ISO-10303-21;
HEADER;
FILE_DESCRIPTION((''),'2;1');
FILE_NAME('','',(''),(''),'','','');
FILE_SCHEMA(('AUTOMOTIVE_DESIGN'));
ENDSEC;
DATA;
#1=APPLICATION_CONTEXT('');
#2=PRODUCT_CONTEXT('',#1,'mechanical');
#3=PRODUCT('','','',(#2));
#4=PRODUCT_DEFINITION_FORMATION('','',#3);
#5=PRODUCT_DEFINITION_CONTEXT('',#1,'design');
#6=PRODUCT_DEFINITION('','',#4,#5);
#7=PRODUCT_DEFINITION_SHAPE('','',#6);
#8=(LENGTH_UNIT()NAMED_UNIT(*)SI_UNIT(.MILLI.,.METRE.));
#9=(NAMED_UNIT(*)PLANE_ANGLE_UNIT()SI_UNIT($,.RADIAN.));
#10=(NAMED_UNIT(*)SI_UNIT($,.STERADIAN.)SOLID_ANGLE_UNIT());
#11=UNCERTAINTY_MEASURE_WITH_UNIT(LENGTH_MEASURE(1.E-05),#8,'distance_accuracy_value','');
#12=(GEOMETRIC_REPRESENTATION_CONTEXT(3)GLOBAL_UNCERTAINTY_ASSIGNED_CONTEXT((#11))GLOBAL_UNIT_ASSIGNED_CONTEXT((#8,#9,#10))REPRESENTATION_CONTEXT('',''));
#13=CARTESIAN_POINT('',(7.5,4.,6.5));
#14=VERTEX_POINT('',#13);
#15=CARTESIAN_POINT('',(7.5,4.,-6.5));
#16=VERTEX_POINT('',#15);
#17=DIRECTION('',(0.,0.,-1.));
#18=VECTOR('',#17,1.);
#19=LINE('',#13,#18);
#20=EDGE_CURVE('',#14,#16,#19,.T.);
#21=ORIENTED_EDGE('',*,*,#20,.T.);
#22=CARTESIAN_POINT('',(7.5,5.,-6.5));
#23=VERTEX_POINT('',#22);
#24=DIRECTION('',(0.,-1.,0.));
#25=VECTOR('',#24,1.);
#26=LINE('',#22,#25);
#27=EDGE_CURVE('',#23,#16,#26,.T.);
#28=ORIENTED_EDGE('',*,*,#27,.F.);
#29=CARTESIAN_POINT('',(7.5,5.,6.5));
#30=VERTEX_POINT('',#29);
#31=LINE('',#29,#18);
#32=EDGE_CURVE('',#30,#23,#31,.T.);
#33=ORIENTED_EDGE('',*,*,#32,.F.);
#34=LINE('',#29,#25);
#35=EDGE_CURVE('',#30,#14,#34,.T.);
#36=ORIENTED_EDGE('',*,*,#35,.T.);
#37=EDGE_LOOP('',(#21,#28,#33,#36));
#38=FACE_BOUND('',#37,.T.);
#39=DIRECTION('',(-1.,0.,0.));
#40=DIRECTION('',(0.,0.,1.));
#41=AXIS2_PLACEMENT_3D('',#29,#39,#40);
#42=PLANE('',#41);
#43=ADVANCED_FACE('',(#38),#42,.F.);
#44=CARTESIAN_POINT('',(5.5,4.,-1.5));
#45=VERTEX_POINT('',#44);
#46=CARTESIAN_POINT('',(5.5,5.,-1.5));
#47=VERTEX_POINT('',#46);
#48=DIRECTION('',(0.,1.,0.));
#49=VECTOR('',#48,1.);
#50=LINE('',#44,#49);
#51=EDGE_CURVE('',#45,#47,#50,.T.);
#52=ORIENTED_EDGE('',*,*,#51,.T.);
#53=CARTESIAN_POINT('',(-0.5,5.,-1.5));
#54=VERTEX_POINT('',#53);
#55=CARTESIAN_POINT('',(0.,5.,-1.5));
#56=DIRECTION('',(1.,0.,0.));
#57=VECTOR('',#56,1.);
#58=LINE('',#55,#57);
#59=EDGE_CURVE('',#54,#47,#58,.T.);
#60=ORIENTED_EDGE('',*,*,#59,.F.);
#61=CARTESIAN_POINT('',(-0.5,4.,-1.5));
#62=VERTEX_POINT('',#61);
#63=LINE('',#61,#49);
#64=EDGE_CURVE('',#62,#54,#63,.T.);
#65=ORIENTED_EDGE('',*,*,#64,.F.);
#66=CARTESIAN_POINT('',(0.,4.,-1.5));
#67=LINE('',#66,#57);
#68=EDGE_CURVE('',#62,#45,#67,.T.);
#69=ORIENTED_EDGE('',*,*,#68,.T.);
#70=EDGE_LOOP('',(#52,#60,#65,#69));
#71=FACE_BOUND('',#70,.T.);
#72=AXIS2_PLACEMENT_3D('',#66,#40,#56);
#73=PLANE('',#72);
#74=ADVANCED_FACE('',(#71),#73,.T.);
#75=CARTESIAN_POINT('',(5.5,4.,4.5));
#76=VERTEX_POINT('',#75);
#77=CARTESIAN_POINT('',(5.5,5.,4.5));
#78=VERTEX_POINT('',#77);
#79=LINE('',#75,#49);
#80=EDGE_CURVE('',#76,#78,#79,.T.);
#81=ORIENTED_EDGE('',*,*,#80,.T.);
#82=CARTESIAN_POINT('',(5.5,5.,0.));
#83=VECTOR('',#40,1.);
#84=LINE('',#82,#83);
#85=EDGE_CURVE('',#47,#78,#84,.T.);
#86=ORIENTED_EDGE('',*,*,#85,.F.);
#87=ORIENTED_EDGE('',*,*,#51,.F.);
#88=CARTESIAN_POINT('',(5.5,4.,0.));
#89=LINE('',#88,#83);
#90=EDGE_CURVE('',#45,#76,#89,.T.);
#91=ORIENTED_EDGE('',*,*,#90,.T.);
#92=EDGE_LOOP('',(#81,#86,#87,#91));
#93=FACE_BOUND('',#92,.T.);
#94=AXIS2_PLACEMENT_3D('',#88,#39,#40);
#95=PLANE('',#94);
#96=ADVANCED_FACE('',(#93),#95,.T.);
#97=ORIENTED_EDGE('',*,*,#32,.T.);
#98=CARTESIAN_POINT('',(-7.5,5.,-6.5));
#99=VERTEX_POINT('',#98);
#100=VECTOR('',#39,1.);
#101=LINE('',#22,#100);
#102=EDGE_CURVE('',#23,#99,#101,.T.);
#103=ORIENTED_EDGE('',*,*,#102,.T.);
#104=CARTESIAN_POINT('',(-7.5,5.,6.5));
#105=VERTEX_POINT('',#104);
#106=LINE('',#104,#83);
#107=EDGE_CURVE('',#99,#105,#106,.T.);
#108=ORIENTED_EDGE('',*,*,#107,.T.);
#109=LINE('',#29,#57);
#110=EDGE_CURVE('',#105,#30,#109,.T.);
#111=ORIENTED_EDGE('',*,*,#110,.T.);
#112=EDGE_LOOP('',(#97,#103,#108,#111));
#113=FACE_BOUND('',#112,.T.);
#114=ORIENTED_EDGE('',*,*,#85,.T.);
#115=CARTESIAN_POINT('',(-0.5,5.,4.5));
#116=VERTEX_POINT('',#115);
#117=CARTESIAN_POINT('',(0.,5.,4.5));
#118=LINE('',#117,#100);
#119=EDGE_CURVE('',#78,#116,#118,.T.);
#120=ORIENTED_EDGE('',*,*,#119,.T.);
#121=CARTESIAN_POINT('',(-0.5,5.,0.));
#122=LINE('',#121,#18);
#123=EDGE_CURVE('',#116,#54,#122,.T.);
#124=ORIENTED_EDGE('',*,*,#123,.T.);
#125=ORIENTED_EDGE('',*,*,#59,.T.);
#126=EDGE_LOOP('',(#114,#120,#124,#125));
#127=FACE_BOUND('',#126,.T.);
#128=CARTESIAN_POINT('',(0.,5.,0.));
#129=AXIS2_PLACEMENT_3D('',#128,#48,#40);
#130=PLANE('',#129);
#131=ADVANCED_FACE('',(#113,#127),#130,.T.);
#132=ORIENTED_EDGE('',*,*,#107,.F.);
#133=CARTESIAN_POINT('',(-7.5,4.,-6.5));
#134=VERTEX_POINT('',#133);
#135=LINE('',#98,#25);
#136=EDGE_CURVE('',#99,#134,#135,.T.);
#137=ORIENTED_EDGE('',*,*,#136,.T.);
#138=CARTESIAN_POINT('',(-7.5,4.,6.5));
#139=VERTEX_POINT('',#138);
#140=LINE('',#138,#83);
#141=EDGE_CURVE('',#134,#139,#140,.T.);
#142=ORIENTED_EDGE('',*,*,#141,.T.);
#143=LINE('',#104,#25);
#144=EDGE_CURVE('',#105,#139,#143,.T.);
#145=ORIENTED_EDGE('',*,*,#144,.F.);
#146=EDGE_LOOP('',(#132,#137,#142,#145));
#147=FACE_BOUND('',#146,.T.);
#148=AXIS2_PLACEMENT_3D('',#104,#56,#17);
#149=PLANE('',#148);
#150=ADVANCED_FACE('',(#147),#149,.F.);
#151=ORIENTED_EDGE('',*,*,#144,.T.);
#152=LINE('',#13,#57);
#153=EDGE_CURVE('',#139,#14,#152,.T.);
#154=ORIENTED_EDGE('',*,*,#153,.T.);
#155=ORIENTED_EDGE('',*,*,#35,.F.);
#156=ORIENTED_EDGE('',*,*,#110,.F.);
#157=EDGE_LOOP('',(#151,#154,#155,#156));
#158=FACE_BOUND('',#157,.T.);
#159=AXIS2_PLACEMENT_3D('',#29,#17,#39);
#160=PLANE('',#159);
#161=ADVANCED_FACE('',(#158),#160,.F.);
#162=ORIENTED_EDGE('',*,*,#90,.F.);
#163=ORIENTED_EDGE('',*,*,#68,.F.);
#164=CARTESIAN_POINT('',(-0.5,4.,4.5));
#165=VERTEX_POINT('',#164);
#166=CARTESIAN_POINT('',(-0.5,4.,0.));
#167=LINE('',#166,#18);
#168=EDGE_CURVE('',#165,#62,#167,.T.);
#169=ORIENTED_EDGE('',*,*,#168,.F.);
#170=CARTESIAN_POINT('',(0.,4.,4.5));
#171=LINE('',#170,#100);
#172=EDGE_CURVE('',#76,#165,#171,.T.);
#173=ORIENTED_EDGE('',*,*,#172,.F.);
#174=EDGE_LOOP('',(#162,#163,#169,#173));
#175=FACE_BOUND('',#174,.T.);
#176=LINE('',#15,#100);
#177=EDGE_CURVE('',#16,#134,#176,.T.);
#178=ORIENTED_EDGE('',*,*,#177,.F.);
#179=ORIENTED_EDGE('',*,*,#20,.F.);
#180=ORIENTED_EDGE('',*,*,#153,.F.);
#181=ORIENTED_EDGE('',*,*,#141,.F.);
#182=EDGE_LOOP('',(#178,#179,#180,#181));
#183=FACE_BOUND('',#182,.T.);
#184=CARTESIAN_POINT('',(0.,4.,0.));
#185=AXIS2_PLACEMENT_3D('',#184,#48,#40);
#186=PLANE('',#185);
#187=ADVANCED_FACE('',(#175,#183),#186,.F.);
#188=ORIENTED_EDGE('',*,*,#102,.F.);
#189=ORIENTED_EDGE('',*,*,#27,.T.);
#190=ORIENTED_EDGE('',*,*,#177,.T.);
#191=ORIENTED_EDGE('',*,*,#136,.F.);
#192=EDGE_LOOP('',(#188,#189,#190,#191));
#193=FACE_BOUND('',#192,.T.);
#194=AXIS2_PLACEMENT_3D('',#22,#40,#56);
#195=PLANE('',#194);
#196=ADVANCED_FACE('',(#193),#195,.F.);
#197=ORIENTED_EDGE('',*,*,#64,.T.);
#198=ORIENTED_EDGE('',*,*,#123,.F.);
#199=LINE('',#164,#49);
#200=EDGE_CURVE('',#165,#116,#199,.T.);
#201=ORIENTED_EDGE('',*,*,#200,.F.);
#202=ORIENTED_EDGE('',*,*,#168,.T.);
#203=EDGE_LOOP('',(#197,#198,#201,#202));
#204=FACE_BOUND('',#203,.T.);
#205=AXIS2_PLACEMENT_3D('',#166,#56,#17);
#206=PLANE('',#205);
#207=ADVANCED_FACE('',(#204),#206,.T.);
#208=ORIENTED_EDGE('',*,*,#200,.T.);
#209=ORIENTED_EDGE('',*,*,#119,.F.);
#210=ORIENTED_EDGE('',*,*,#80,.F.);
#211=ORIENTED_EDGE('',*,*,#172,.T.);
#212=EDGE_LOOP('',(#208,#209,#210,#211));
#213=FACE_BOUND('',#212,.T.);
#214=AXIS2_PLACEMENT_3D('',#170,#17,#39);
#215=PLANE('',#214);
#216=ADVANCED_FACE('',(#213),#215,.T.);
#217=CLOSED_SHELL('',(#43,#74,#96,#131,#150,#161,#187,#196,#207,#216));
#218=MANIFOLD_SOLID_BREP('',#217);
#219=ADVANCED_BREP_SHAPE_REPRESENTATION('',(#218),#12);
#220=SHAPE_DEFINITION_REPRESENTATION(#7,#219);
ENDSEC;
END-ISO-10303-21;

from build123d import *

# Parameters (mm, degrees)
SKETCH_1_W          = 15
SKETCH_1_H          = 13
EXTRUDE_1_DEPTH     = 4
CUT_EXTRUDE_START   = 1
SKETCH_2_W          = 13
SKETCH_2_H          = 15
CUT_EXTRUDE_1_DEPTH = 4
EXTRUDE_START       = 4
SKETCH_3_W          = 15
SKETCH_3_H          = 13
EXTRUDE_3_DEPTH     = 1
CUT_EXTRUDE_START_2 = 5
SKETCH_4_W          = 6
SKETCH_4_H          = 6
CUT_EXTRUDE_2_DEPTH = 1
SKETCH_6_W          = 15
SKETCH_6_H          = 13
CUT_EXTRUDE_4_DEPTH = 4


with BuildPart() as part:
    # 스케치1 → 보스-돌출1 (new body)
    with BuildSketch(Plane(origin=(0, 0, 0), x_dir=(1, 0, 0), z_dir=(0, 1, 0))):
        Rectangle(SKETCH_1_W, SKETCH_1_H)
    extrude(amount=EXTRUDE_1_DEPTH)

    # 스케치2 → 컷-돌출1 (cut)
    with BuildSketch(Plane(origin=(0, 0, 0), x_dir=(1, 0, 0), z_dir=(0, 1, 0)).offset(CUT_EXTRUDE_START)):
        with Locations((0, 2)):
            Rectangle(SKETCH_2_W, SKETCH_2_H)
    extrude(amount=CUT_EXTRUDE_1_DEPTH, mode=Mode.SUBTRACT)

    # 스케치6 → 컷-돌출4 (cut)
    with BuildSketch(Plane.XZ):
        Rectangle(SKETCH_6_W, SKETCH_6_H)
    extrude(amount=-CUT_EXTRUDE_4_DEPTH, mode=Mode.SUBTRACT)


with BuildPart() as body_2:
    # 스케치3 → 보스-돌출3 (new body)
    with BuildSketch(Plane(origin=(0, 0, 0), x_dir=(1, 0, 0), z_dir=(0, 1, 0)).offset(EXTRUDE_START)):
        Rectangle(SKETCH_3_W, SKETCH_3_H)
    extrude(amount=EXTRUDE_3_DEPTH)

    # 스케치4 → 컷-돌출2 (cut)
    with BuildSketch(Plane(origin=(0, 0, 0), x_dir=(1, 0, 0), z_dir=(0, 1, 0)).offset(CUT_EXTRUDE_START_2)):
        with Locations((2.5, -1.5)):
            Rectangle(SKETCH_4_W, SKETCH_4_H)
    extrude(amount=-CUT_EXTRUDE_2_DEPTH, mode=Mode.SUBTRACT)


solid = body_2.part
